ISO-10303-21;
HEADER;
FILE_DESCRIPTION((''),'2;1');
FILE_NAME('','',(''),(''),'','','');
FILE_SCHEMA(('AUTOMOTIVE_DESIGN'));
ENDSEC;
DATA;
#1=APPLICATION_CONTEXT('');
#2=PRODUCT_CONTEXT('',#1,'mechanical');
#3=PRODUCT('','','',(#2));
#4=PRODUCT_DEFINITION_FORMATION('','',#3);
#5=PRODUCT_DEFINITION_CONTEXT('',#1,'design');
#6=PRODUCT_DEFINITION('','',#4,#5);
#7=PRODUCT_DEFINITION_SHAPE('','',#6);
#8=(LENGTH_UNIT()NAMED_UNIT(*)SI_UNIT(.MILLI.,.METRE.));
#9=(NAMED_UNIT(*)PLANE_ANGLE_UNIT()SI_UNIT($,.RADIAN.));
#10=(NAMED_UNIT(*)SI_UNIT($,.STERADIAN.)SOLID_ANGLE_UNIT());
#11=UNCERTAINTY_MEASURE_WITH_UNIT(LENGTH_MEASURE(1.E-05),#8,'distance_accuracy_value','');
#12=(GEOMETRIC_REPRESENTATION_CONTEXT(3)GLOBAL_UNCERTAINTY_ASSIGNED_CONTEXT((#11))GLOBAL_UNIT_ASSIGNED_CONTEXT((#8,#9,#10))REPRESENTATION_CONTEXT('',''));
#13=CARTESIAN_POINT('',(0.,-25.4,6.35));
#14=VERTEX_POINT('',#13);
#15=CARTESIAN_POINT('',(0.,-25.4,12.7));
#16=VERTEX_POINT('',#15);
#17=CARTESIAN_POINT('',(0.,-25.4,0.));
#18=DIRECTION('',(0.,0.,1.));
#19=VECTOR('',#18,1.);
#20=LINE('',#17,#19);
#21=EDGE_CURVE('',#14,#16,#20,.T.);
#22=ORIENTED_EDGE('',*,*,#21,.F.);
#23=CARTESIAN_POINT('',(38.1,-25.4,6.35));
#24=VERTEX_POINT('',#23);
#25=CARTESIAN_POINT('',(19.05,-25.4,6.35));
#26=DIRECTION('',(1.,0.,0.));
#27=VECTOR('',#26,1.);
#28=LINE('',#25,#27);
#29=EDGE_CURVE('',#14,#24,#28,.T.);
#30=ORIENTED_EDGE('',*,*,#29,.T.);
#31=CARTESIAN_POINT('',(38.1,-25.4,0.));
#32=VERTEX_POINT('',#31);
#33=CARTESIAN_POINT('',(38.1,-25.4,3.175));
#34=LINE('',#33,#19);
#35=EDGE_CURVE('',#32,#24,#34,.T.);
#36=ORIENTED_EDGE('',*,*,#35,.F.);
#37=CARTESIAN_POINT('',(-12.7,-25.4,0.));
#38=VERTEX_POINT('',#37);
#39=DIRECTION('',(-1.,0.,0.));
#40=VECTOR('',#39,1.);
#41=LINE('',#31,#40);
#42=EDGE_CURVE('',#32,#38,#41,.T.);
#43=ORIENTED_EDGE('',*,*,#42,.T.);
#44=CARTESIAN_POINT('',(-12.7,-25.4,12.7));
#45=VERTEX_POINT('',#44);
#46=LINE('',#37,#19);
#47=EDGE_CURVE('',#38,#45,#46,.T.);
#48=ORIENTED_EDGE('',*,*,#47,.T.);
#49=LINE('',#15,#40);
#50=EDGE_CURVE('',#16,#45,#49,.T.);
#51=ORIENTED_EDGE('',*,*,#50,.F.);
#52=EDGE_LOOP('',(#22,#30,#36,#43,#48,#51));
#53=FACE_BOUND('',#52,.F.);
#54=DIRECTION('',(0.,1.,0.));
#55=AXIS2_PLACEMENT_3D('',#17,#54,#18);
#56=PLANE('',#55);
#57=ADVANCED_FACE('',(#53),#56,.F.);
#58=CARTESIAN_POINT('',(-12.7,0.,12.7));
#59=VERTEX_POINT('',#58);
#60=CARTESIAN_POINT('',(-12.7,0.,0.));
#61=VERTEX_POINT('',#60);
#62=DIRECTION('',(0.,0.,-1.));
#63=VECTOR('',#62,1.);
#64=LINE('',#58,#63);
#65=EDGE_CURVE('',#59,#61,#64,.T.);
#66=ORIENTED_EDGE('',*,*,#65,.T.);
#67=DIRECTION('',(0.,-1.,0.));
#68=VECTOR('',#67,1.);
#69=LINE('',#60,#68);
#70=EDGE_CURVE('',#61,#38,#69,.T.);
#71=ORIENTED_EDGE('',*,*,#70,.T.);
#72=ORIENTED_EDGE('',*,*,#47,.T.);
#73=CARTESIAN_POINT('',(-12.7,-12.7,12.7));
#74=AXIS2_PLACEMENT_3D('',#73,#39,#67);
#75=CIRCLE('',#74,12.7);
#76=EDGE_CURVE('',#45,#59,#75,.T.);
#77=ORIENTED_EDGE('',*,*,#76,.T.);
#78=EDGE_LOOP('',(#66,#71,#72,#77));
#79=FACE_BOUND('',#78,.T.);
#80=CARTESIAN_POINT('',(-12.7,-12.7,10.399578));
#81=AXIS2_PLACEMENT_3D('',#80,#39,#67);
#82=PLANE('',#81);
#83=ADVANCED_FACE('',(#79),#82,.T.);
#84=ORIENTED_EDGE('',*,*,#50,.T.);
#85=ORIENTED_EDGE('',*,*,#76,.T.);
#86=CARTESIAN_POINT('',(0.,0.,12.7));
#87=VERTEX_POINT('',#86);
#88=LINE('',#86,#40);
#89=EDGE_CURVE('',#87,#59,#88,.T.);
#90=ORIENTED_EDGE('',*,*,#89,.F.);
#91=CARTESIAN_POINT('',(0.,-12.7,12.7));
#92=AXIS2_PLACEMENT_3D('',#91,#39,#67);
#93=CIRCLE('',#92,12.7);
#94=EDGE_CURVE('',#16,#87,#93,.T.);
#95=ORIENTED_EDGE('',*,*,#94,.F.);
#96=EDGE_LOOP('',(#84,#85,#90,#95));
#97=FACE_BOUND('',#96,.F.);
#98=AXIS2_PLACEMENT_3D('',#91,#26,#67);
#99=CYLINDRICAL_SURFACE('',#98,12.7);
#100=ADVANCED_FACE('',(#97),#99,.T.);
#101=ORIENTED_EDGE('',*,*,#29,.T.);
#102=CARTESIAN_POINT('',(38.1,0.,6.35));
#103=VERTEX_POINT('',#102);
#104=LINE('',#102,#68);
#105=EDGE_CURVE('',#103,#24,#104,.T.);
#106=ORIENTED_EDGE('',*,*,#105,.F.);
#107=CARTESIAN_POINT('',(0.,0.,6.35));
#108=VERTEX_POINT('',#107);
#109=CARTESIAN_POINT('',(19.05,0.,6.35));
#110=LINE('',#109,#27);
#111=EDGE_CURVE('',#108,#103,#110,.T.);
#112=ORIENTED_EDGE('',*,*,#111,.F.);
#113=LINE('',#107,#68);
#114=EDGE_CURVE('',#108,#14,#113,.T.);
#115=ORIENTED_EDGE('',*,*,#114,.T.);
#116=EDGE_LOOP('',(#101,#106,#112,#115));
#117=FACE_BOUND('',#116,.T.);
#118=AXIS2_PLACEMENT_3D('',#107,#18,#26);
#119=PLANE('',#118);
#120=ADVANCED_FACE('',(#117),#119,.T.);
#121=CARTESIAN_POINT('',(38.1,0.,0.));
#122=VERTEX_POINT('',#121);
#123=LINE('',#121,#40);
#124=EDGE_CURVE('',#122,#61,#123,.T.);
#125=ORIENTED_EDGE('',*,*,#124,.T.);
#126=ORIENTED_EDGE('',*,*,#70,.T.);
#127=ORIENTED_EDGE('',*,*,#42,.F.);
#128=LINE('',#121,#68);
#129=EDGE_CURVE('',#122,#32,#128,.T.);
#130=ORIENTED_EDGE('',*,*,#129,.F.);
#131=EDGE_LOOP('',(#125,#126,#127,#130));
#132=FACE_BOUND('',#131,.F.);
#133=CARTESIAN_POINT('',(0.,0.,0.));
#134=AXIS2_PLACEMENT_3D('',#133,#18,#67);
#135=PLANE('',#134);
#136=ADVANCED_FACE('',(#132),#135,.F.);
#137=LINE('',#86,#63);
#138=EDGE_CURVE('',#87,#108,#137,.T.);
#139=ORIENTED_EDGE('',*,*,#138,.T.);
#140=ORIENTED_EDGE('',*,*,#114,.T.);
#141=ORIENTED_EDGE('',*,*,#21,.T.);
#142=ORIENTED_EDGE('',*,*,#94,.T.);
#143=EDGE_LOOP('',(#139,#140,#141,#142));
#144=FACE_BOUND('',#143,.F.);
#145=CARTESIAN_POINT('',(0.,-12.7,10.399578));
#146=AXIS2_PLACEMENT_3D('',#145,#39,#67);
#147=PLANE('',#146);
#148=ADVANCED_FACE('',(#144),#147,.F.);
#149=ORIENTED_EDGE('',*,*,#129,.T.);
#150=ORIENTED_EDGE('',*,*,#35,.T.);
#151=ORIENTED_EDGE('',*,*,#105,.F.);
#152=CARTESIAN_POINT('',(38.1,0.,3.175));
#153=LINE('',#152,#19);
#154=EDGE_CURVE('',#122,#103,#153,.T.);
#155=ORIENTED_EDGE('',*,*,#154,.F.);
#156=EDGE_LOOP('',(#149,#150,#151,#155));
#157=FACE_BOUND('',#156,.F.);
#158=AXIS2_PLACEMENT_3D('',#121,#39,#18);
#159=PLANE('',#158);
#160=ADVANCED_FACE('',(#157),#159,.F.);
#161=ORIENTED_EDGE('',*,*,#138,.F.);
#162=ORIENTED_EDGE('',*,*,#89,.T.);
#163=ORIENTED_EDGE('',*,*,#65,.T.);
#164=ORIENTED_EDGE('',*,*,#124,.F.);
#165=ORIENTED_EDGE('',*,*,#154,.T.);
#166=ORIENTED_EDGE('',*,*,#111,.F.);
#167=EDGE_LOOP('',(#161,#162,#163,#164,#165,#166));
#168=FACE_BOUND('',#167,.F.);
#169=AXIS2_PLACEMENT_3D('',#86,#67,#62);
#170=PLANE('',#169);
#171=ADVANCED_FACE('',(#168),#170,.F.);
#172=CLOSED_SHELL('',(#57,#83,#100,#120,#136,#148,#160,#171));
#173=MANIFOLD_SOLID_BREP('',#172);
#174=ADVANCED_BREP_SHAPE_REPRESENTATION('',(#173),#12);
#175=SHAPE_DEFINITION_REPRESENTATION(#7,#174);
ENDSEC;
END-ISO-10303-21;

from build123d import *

# Parameters (mm, degrees)
F0_W     = 38.1
F0_H     = 6.35
F1_DEPTH = 25.4
F3_DEPTH = 12.7


with BuildPart() as f1:
    # F0 (on Front) → F1 (new body)
    with BuildSketch(Plane.XZ):
        with Locations((19.05, 3.175)):
            Rectangle(F0_W, F0_H)
    extrude(amount=F1_DEPTH)

    # F2 (on face) → F3 (join)
    with BuildSketch(Plane(origin=(0, 0, 0), x_dir=(0, -1, 0), z_dir=(-1, 0, 0))):
        with BuildLine():
            Line((0, 12.7), (0, 0))
            Line((0, 0), (25.4, 0))
            Line((25.4, 0), (25.4, 12.7))
            ThreePointArc((25.4, 12.7), (12.7, 25.4), (0, 12.7))
        make_face()
    extrude(amount=F3_DEPTH)


solid = f1.part
